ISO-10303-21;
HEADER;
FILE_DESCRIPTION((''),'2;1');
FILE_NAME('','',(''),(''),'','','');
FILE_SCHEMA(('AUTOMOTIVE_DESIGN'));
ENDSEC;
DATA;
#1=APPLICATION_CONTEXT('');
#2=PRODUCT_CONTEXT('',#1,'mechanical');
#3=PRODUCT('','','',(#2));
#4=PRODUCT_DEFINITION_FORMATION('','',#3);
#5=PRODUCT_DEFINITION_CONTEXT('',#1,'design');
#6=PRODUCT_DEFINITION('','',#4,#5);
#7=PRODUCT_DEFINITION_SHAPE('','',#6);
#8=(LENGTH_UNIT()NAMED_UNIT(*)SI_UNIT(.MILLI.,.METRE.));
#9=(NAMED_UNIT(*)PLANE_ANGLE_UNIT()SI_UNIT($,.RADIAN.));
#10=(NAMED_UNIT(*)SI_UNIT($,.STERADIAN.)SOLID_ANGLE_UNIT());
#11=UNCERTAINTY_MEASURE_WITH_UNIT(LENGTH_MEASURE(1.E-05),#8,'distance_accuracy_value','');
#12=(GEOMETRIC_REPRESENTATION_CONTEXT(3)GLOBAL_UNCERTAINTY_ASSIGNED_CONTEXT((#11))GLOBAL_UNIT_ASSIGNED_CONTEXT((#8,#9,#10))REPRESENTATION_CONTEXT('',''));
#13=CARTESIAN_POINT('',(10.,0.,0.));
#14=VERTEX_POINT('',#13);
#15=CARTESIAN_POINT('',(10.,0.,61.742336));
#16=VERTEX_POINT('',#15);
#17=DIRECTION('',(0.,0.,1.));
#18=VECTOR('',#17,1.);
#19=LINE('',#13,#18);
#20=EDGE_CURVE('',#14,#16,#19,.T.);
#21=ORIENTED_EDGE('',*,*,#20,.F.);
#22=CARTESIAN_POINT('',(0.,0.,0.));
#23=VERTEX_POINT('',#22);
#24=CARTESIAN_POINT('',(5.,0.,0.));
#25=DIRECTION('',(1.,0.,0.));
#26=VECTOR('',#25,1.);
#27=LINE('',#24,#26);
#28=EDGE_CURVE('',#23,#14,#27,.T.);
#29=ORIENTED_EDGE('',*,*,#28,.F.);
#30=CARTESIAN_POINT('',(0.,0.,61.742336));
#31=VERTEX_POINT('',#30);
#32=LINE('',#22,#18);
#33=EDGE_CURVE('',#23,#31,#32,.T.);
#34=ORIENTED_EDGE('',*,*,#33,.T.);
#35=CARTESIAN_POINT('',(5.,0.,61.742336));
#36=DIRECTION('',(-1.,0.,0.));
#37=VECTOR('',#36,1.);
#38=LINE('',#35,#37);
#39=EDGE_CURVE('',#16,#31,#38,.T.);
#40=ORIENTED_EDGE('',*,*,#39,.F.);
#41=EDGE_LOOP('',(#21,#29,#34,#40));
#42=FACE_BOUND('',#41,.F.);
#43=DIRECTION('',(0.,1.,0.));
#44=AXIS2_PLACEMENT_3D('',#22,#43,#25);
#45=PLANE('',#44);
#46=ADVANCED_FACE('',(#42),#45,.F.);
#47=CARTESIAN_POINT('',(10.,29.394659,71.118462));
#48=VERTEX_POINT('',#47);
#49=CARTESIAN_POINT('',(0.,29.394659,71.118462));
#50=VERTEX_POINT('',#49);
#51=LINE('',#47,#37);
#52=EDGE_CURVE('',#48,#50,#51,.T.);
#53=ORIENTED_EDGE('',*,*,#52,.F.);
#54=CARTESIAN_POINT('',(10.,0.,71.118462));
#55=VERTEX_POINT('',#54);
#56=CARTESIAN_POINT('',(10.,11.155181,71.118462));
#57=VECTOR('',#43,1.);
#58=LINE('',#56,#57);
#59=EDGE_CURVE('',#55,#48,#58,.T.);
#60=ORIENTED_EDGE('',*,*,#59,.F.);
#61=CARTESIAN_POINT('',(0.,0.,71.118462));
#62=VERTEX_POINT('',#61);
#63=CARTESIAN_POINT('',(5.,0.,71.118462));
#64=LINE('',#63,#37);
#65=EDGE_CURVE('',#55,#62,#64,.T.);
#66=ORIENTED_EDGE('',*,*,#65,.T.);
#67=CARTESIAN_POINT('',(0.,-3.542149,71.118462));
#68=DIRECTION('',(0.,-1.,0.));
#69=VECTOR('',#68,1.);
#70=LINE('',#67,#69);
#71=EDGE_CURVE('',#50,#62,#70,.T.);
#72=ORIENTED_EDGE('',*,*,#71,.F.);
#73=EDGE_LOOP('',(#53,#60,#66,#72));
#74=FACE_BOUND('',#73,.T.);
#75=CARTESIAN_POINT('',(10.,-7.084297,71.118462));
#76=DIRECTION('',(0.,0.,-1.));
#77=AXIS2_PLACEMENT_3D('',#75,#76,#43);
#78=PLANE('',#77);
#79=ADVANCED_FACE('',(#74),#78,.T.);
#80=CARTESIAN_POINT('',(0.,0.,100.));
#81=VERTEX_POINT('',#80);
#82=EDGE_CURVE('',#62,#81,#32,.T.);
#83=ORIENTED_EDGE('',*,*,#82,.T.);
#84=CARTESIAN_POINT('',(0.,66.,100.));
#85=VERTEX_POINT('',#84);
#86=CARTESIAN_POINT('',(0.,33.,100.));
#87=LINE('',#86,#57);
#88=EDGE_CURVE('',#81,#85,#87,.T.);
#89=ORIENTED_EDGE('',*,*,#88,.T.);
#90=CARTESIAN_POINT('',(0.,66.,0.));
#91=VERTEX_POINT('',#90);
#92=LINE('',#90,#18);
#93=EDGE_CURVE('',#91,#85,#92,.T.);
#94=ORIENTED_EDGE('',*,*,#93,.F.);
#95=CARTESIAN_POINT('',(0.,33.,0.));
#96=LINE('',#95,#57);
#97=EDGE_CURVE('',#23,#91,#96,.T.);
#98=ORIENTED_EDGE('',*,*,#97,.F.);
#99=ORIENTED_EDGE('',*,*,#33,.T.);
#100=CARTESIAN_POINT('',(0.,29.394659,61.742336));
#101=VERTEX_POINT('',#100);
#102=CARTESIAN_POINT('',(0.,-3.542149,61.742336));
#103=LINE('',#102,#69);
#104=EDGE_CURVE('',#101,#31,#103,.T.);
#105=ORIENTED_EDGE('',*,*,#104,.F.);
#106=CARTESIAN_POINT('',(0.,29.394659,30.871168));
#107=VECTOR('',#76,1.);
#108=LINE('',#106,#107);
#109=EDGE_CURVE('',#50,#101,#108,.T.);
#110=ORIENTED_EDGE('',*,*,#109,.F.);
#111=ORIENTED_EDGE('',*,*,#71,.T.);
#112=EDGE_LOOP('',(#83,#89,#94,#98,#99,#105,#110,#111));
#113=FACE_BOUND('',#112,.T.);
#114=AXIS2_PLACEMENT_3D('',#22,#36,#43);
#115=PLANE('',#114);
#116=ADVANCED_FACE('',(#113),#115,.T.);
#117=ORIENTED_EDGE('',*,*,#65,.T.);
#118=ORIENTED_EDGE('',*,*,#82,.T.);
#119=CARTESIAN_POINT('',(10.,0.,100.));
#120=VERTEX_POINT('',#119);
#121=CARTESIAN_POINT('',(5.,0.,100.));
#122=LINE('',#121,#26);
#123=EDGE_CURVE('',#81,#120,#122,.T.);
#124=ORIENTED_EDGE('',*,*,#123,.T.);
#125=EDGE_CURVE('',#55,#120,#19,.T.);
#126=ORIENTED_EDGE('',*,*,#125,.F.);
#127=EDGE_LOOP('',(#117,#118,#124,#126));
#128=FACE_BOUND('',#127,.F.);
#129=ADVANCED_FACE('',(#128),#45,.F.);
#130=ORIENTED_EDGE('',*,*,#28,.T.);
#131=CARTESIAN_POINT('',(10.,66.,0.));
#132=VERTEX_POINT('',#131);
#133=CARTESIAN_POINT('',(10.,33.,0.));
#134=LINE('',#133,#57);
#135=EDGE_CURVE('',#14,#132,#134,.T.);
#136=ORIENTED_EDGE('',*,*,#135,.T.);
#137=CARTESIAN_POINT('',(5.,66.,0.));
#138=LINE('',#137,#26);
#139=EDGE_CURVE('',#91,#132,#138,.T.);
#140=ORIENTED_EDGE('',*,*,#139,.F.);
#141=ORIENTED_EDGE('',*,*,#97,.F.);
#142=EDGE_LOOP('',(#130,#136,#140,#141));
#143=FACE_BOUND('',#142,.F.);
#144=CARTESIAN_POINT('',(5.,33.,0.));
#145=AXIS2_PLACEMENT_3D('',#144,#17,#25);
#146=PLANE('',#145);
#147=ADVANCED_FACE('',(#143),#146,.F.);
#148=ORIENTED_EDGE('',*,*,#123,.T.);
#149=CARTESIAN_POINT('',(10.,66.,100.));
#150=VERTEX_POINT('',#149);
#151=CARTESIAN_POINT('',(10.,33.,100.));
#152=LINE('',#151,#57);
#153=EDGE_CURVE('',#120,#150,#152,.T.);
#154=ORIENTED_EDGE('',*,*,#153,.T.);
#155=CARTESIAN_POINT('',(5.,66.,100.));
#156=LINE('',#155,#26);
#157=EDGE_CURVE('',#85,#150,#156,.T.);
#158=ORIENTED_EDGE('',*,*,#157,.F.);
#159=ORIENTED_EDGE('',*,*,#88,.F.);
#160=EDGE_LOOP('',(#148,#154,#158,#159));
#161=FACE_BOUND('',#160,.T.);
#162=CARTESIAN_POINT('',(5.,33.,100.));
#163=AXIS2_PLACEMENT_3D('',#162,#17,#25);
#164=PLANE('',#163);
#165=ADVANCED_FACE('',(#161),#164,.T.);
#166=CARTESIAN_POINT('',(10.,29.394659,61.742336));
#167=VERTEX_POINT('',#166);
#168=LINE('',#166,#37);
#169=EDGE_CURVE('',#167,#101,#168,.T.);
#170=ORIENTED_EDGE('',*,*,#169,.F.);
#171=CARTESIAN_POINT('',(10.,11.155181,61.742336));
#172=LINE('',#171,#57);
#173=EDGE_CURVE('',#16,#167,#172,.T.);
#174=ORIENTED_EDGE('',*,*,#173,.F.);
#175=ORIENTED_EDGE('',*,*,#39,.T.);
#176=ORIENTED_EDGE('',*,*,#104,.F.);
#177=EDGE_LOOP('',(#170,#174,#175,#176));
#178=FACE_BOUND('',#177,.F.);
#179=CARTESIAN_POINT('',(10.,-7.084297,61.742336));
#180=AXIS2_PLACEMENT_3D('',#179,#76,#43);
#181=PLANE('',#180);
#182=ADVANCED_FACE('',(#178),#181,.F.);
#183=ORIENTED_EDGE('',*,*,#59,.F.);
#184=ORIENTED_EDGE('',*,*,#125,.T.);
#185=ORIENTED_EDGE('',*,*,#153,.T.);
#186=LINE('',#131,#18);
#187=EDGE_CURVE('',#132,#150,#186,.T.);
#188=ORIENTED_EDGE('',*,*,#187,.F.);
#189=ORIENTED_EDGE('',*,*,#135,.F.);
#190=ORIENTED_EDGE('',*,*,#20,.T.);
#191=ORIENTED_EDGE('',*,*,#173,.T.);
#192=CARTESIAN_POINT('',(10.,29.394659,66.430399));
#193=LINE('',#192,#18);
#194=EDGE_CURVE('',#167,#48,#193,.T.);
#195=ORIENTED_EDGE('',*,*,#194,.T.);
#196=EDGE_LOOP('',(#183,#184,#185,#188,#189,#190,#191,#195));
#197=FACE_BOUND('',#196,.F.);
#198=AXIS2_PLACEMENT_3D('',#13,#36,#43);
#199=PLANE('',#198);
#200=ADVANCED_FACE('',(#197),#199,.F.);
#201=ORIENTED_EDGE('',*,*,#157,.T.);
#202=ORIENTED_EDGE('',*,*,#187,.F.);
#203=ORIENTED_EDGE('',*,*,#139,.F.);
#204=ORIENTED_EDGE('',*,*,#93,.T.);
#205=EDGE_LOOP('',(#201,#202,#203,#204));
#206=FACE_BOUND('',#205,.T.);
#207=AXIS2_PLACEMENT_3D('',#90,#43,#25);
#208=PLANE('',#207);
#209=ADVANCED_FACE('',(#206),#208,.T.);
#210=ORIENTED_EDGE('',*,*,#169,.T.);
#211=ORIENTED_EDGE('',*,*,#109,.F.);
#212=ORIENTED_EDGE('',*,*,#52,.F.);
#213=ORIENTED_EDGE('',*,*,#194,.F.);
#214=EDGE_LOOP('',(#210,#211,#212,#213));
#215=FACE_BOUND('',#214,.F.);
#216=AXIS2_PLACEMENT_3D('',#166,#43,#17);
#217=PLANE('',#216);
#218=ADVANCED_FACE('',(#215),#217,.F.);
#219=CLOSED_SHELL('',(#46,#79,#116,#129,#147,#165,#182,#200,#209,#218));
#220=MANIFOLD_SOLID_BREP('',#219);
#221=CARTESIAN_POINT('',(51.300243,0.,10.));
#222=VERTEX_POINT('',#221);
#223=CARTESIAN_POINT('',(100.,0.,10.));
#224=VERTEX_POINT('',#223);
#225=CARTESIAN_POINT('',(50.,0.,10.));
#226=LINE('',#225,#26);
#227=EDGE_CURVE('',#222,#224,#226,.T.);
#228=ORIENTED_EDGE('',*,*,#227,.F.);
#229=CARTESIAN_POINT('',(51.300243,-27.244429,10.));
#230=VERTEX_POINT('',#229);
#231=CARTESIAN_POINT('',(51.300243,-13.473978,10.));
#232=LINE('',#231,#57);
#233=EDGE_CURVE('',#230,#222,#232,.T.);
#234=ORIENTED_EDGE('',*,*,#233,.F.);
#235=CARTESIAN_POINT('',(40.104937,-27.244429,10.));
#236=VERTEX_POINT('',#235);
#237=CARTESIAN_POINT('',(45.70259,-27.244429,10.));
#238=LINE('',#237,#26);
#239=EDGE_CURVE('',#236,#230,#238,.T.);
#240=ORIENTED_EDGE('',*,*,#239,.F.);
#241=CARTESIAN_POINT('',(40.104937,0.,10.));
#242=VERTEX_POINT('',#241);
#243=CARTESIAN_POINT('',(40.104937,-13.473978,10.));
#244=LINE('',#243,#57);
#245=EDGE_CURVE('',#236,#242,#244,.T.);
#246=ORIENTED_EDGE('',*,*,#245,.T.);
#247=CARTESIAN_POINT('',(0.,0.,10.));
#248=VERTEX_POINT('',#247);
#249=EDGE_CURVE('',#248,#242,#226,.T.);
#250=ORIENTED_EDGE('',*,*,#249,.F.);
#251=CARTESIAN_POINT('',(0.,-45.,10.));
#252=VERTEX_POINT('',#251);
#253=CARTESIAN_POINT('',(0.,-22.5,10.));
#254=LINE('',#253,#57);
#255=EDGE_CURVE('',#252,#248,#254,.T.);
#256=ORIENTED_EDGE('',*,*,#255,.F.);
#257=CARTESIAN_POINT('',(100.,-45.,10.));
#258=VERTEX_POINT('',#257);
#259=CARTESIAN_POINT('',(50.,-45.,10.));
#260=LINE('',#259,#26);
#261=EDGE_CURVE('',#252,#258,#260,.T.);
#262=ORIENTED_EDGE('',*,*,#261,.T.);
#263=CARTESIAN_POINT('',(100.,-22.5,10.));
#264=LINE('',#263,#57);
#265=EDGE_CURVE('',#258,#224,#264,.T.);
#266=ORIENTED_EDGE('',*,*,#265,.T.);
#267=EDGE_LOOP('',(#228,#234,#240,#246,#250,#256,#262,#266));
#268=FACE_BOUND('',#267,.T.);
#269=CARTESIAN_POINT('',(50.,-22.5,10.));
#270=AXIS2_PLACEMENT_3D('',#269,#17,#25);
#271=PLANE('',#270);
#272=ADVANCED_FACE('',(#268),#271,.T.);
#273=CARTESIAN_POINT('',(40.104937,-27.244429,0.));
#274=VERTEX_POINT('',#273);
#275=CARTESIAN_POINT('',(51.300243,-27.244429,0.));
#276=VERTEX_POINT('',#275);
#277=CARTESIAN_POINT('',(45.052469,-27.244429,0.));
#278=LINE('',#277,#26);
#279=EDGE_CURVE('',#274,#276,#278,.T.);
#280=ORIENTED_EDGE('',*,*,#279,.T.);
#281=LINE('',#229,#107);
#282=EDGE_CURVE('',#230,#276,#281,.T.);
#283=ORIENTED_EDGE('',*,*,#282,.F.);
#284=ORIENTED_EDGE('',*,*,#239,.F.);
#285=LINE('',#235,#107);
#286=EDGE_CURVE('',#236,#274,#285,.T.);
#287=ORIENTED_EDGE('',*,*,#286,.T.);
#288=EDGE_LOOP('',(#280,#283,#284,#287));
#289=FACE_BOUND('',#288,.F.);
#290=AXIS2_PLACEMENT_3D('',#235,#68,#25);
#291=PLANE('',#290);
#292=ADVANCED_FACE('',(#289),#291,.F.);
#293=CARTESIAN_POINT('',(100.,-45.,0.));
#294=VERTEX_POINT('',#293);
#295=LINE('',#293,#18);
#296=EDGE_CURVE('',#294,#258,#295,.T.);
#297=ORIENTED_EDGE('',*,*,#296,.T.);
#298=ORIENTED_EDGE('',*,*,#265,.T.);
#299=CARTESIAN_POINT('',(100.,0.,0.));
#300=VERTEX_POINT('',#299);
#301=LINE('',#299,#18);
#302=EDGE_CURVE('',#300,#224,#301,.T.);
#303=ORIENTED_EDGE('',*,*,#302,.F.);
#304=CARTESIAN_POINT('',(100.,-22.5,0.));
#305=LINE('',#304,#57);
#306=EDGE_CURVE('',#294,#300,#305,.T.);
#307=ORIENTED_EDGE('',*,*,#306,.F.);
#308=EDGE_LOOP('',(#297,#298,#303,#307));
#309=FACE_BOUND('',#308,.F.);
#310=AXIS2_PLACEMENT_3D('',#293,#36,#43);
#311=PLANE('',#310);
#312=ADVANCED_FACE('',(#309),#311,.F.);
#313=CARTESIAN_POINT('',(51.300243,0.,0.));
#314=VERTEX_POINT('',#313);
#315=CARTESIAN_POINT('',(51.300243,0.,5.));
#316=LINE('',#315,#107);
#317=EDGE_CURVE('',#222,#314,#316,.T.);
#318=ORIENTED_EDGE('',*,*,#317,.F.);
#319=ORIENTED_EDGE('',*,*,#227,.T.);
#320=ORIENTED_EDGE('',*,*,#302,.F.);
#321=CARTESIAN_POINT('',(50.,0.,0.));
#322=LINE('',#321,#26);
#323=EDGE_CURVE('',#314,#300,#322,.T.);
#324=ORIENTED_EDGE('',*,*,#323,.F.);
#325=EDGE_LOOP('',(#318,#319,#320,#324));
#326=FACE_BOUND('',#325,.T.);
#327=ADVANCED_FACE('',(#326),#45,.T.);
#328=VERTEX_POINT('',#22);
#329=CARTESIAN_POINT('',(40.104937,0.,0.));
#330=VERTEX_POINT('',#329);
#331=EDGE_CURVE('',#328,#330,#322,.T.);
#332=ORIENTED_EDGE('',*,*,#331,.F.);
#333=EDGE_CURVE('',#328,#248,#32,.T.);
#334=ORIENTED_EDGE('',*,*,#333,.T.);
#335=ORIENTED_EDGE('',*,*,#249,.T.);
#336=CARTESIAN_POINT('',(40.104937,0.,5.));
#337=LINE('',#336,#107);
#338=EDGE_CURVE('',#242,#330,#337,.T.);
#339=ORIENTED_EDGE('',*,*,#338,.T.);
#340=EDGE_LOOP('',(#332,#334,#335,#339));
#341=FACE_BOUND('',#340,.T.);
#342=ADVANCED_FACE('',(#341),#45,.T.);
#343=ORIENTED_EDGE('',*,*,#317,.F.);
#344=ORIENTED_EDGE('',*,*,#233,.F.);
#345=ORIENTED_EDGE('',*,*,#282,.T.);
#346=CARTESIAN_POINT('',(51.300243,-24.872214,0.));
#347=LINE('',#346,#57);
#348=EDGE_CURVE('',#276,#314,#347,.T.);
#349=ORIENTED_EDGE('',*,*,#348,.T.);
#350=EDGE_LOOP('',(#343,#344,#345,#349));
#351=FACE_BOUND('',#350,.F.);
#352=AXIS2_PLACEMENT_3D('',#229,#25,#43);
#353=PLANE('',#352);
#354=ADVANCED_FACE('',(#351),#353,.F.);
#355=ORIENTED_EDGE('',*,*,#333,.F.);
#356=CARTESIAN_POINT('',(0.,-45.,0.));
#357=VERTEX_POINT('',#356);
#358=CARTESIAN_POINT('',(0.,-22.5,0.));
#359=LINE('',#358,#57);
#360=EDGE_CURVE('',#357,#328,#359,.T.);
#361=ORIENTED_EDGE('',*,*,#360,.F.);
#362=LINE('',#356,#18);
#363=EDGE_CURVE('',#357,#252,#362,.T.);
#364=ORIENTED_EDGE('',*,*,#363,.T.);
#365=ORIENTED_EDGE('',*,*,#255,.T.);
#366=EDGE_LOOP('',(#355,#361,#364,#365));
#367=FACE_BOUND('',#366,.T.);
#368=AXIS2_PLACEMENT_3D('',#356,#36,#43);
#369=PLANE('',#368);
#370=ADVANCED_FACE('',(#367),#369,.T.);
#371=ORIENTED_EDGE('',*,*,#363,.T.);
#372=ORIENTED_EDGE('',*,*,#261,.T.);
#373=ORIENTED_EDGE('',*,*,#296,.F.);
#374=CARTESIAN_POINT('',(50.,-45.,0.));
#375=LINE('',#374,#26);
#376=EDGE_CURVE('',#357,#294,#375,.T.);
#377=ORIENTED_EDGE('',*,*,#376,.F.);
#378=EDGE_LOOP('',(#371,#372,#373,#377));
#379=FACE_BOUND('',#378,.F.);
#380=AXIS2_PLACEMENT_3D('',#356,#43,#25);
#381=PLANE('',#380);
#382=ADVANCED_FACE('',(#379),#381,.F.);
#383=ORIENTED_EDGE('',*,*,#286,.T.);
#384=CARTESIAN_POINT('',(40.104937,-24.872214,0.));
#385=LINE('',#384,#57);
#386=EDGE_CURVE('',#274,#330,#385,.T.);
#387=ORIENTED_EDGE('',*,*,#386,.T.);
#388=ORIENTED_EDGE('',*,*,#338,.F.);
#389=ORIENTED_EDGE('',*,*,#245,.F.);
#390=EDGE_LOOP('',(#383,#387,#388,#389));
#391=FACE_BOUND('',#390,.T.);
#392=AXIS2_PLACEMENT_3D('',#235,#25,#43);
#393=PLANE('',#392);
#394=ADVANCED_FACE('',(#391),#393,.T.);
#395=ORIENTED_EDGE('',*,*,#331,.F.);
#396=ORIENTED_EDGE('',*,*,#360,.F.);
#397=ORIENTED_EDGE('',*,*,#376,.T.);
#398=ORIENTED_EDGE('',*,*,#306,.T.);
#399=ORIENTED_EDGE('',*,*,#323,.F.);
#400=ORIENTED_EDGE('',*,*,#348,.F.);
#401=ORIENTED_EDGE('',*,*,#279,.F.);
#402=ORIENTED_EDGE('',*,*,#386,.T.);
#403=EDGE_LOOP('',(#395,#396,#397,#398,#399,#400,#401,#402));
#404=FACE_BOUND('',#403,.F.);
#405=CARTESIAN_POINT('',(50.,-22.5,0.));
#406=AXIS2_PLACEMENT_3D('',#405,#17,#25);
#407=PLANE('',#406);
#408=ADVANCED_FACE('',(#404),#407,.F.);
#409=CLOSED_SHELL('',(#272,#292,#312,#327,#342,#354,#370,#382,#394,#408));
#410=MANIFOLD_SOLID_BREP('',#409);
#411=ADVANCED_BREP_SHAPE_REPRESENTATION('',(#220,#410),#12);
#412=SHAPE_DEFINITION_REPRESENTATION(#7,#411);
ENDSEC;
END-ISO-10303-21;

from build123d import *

# Parameters (mm, degrees)
SKETCH_W        = 100
SKETCH_H        = 45
PAD_DEPTH       = 10
SKETCH001_W     = 11.195305
SKETCH001_H     = 27.540902
POCKET_DEPTH    = 10.001
BOX_W           = 10
BOX_H           = 66
BOX_DEPTH       = 100
SKETCH002_W     = 36.478956
SKETCH002_H     = 9.376126
POCKET001_DEPTH = 10.001


with BuildPart() as pocket:
    # Sketch → Pad (new body)
    with BuildSketch(Plane.XY):
        with Locations((50, -22.5)):
            Rectangle(SKETCH_W, SKETCH_H)
    extrude(amount=PAD_DEPTH)

    # Sketch001 → Pocket (cut, through all)
    with BuildSketch(Plane.XY.offset(10)):
        with Locations((45.70259, -13.473978)):
            Rectangle(SKETCH001_W, SKETCH001_H)
    extrude(amount=-POCKET_DEPTH, mode=Mode.SUBTRACT)


with BuildPart() as pocket001:
    # Box → Box (new body)
    with BuildSketch(Plane.XY):
        with Locations((5, 33)):
            Rectangle(BOX_W, BOX_H)
    extrude(amount=BOX_DEPTH)

    # Sketch002 → Pocket001 (cut, through all)
    with BuildSketch(Plane.YZ.offset(10)):
        with Locations((11.155181, 66.430399)):
            Rectangle(SKETCH002_W, SKETCH002_H)
    extrude(amount=-POCKET001_DEPTH, mode=Mode.SUBTRACT)


solid = Compound([pocket.part, pocket001.part])
